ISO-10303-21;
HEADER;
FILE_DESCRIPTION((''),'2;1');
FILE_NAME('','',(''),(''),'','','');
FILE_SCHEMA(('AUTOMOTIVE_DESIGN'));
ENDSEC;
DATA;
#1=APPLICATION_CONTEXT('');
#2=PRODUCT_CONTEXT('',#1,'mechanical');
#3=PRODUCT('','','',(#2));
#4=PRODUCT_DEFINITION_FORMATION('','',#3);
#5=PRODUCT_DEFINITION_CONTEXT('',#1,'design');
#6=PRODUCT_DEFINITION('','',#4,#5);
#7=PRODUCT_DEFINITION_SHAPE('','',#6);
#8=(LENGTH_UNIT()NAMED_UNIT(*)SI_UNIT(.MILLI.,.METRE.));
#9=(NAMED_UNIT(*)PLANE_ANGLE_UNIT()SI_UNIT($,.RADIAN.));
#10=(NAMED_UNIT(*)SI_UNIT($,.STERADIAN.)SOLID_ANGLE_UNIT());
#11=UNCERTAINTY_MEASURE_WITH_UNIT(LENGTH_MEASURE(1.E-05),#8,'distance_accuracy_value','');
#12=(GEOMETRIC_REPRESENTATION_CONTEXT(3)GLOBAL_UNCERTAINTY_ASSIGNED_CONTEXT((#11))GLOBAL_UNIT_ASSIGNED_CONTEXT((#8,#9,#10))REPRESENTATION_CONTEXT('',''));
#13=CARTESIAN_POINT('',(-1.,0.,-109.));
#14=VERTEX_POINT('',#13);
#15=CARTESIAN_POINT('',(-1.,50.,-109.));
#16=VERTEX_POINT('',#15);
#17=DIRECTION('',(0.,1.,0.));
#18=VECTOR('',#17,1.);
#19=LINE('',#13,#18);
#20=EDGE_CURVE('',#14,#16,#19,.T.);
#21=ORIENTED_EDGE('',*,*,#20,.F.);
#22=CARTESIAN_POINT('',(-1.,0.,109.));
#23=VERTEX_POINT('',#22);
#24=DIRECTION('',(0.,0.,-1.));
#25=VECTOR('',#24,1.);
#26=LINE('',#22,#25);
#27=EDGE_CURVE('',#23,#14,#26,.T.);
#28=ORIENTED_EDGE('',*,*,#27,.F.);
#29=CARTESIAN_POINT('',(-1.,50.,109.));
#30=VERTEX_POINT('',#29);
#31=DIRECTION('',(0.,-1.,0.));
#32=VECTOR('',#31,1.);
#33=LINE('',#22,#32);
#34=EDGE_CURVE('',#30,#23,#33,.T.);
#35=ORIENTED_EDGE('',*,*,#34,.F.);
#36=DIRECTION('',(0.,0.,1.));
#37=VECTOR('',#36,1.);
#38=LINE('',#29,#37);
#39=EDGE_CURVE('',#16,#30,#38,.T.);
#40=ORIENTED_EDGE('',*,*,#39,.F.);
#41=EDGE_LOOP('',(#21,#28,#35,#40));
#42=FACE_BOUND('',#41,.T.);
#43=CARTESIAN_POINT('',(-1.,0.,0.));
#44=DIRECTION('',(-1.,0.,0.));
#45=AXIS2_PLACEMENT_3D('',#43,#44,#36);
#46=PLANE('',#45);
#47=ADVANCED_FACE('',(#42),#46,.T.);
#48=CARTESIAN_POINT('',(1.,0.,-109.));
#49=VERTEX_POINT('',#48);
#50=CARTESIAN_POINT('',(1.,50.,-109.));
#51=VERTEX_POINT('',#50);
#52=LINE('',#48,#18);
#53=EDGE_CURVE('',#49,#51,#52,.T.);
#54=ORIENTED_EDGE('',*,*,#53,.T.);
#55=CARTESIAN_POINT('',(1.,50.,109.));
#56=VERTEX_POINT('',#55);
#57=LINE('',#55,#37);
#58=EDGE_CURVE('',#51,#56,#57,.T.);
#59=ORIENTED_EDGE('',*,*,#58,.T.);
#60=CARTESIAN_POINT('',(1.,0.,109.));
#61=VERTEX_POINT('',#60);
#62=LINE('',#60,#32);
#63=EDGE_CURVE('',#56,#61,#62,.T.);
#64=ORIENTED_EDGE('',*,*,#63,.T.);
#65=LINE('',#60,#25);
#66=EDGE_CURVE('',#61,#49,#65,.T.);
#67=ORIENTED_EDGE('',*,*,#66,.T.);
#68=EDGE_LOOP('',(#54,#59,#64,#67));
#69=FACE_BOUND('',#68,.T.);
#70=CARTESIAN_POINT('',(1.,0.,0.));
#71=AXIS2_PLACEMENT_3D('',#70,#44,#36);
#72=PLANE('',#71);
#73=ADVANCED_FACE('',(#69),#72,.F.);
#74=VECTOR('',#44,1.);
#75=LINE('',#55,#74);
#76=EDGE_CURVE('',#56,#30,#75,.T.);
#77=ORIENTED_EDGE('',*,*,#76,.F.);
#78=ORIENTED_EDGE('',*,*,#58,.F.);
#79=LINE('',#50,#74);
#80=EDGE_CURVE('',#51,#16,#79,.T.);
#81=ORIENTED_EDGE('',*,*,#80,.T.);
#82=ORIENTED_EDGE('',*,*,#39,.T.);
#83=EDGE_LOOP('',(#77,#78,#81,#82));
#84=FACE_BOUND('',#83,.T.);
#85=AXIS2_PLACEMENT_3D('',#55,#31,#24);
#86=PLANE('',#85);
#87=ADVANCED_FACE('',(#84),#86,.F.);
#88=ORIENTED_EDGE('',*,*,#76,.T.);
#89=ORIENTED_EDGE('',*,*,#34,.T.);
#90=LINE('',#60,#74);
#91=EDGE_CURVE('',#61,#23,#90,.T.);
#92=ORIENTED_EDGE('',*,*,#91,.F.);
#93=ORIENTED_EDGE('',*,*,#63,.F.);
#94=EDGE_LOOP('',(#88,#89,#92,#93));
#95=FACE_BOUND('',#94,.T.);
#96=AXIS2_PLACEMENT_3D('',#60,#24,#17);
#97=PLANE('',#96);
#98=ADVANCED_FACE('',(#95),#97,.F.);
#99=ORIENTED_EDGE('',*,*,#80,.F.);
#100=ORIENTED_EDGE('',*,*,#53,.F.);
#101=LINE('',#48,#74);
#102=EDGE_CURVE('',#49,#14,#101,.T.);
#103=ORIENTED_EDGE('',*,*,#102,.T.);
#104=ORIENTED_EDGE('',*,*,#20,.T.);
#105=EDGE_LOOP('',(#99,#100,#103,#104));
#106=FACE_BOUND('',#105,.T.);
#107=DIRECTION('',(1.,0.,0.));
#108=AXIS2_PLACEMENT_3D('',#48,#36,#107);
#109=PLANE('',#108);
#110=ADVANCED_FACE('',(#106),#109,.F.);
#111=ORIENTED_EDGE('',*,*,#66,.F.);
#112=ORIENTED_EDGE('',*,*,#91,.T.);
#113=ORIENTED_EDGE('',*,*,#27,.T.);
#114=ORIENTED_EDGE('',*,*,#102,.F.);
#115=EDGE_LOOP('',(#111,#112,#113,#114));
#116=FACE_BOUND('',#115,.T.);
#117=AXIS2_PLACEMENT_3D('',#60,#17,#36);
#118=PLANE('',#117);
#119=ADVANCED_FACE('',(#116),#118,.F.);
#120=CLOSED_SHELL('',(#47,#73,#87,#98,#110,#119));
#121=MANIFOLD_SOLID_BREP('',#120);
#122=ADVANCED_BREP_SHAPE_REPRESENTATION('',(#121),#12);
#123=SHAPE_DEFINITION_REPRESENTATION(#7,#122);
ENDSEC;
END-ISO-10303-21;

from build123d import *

# Parameters (mm, degrees)
SKETCH1_W           = 218
SKETCH1_H           = 50
BOSS_EXTRUDE1_DEPTH = 1


with BuildPart() as part:
    # Sketch1 → Boss-Extrude1 (new, symmetric)
    with BuildSketch(Plane(origin=(0, 0, 0), x_dir=(0, 0, -1), z_dir=(1, 0, 0))):
        with Locations((0, 25)):
            Rectangle(SKETCH1_W, SKETCH1_H)
    extrude(amount=BOSS_EXTRUDE1_DEPTH, both=True)


solid = part.part
